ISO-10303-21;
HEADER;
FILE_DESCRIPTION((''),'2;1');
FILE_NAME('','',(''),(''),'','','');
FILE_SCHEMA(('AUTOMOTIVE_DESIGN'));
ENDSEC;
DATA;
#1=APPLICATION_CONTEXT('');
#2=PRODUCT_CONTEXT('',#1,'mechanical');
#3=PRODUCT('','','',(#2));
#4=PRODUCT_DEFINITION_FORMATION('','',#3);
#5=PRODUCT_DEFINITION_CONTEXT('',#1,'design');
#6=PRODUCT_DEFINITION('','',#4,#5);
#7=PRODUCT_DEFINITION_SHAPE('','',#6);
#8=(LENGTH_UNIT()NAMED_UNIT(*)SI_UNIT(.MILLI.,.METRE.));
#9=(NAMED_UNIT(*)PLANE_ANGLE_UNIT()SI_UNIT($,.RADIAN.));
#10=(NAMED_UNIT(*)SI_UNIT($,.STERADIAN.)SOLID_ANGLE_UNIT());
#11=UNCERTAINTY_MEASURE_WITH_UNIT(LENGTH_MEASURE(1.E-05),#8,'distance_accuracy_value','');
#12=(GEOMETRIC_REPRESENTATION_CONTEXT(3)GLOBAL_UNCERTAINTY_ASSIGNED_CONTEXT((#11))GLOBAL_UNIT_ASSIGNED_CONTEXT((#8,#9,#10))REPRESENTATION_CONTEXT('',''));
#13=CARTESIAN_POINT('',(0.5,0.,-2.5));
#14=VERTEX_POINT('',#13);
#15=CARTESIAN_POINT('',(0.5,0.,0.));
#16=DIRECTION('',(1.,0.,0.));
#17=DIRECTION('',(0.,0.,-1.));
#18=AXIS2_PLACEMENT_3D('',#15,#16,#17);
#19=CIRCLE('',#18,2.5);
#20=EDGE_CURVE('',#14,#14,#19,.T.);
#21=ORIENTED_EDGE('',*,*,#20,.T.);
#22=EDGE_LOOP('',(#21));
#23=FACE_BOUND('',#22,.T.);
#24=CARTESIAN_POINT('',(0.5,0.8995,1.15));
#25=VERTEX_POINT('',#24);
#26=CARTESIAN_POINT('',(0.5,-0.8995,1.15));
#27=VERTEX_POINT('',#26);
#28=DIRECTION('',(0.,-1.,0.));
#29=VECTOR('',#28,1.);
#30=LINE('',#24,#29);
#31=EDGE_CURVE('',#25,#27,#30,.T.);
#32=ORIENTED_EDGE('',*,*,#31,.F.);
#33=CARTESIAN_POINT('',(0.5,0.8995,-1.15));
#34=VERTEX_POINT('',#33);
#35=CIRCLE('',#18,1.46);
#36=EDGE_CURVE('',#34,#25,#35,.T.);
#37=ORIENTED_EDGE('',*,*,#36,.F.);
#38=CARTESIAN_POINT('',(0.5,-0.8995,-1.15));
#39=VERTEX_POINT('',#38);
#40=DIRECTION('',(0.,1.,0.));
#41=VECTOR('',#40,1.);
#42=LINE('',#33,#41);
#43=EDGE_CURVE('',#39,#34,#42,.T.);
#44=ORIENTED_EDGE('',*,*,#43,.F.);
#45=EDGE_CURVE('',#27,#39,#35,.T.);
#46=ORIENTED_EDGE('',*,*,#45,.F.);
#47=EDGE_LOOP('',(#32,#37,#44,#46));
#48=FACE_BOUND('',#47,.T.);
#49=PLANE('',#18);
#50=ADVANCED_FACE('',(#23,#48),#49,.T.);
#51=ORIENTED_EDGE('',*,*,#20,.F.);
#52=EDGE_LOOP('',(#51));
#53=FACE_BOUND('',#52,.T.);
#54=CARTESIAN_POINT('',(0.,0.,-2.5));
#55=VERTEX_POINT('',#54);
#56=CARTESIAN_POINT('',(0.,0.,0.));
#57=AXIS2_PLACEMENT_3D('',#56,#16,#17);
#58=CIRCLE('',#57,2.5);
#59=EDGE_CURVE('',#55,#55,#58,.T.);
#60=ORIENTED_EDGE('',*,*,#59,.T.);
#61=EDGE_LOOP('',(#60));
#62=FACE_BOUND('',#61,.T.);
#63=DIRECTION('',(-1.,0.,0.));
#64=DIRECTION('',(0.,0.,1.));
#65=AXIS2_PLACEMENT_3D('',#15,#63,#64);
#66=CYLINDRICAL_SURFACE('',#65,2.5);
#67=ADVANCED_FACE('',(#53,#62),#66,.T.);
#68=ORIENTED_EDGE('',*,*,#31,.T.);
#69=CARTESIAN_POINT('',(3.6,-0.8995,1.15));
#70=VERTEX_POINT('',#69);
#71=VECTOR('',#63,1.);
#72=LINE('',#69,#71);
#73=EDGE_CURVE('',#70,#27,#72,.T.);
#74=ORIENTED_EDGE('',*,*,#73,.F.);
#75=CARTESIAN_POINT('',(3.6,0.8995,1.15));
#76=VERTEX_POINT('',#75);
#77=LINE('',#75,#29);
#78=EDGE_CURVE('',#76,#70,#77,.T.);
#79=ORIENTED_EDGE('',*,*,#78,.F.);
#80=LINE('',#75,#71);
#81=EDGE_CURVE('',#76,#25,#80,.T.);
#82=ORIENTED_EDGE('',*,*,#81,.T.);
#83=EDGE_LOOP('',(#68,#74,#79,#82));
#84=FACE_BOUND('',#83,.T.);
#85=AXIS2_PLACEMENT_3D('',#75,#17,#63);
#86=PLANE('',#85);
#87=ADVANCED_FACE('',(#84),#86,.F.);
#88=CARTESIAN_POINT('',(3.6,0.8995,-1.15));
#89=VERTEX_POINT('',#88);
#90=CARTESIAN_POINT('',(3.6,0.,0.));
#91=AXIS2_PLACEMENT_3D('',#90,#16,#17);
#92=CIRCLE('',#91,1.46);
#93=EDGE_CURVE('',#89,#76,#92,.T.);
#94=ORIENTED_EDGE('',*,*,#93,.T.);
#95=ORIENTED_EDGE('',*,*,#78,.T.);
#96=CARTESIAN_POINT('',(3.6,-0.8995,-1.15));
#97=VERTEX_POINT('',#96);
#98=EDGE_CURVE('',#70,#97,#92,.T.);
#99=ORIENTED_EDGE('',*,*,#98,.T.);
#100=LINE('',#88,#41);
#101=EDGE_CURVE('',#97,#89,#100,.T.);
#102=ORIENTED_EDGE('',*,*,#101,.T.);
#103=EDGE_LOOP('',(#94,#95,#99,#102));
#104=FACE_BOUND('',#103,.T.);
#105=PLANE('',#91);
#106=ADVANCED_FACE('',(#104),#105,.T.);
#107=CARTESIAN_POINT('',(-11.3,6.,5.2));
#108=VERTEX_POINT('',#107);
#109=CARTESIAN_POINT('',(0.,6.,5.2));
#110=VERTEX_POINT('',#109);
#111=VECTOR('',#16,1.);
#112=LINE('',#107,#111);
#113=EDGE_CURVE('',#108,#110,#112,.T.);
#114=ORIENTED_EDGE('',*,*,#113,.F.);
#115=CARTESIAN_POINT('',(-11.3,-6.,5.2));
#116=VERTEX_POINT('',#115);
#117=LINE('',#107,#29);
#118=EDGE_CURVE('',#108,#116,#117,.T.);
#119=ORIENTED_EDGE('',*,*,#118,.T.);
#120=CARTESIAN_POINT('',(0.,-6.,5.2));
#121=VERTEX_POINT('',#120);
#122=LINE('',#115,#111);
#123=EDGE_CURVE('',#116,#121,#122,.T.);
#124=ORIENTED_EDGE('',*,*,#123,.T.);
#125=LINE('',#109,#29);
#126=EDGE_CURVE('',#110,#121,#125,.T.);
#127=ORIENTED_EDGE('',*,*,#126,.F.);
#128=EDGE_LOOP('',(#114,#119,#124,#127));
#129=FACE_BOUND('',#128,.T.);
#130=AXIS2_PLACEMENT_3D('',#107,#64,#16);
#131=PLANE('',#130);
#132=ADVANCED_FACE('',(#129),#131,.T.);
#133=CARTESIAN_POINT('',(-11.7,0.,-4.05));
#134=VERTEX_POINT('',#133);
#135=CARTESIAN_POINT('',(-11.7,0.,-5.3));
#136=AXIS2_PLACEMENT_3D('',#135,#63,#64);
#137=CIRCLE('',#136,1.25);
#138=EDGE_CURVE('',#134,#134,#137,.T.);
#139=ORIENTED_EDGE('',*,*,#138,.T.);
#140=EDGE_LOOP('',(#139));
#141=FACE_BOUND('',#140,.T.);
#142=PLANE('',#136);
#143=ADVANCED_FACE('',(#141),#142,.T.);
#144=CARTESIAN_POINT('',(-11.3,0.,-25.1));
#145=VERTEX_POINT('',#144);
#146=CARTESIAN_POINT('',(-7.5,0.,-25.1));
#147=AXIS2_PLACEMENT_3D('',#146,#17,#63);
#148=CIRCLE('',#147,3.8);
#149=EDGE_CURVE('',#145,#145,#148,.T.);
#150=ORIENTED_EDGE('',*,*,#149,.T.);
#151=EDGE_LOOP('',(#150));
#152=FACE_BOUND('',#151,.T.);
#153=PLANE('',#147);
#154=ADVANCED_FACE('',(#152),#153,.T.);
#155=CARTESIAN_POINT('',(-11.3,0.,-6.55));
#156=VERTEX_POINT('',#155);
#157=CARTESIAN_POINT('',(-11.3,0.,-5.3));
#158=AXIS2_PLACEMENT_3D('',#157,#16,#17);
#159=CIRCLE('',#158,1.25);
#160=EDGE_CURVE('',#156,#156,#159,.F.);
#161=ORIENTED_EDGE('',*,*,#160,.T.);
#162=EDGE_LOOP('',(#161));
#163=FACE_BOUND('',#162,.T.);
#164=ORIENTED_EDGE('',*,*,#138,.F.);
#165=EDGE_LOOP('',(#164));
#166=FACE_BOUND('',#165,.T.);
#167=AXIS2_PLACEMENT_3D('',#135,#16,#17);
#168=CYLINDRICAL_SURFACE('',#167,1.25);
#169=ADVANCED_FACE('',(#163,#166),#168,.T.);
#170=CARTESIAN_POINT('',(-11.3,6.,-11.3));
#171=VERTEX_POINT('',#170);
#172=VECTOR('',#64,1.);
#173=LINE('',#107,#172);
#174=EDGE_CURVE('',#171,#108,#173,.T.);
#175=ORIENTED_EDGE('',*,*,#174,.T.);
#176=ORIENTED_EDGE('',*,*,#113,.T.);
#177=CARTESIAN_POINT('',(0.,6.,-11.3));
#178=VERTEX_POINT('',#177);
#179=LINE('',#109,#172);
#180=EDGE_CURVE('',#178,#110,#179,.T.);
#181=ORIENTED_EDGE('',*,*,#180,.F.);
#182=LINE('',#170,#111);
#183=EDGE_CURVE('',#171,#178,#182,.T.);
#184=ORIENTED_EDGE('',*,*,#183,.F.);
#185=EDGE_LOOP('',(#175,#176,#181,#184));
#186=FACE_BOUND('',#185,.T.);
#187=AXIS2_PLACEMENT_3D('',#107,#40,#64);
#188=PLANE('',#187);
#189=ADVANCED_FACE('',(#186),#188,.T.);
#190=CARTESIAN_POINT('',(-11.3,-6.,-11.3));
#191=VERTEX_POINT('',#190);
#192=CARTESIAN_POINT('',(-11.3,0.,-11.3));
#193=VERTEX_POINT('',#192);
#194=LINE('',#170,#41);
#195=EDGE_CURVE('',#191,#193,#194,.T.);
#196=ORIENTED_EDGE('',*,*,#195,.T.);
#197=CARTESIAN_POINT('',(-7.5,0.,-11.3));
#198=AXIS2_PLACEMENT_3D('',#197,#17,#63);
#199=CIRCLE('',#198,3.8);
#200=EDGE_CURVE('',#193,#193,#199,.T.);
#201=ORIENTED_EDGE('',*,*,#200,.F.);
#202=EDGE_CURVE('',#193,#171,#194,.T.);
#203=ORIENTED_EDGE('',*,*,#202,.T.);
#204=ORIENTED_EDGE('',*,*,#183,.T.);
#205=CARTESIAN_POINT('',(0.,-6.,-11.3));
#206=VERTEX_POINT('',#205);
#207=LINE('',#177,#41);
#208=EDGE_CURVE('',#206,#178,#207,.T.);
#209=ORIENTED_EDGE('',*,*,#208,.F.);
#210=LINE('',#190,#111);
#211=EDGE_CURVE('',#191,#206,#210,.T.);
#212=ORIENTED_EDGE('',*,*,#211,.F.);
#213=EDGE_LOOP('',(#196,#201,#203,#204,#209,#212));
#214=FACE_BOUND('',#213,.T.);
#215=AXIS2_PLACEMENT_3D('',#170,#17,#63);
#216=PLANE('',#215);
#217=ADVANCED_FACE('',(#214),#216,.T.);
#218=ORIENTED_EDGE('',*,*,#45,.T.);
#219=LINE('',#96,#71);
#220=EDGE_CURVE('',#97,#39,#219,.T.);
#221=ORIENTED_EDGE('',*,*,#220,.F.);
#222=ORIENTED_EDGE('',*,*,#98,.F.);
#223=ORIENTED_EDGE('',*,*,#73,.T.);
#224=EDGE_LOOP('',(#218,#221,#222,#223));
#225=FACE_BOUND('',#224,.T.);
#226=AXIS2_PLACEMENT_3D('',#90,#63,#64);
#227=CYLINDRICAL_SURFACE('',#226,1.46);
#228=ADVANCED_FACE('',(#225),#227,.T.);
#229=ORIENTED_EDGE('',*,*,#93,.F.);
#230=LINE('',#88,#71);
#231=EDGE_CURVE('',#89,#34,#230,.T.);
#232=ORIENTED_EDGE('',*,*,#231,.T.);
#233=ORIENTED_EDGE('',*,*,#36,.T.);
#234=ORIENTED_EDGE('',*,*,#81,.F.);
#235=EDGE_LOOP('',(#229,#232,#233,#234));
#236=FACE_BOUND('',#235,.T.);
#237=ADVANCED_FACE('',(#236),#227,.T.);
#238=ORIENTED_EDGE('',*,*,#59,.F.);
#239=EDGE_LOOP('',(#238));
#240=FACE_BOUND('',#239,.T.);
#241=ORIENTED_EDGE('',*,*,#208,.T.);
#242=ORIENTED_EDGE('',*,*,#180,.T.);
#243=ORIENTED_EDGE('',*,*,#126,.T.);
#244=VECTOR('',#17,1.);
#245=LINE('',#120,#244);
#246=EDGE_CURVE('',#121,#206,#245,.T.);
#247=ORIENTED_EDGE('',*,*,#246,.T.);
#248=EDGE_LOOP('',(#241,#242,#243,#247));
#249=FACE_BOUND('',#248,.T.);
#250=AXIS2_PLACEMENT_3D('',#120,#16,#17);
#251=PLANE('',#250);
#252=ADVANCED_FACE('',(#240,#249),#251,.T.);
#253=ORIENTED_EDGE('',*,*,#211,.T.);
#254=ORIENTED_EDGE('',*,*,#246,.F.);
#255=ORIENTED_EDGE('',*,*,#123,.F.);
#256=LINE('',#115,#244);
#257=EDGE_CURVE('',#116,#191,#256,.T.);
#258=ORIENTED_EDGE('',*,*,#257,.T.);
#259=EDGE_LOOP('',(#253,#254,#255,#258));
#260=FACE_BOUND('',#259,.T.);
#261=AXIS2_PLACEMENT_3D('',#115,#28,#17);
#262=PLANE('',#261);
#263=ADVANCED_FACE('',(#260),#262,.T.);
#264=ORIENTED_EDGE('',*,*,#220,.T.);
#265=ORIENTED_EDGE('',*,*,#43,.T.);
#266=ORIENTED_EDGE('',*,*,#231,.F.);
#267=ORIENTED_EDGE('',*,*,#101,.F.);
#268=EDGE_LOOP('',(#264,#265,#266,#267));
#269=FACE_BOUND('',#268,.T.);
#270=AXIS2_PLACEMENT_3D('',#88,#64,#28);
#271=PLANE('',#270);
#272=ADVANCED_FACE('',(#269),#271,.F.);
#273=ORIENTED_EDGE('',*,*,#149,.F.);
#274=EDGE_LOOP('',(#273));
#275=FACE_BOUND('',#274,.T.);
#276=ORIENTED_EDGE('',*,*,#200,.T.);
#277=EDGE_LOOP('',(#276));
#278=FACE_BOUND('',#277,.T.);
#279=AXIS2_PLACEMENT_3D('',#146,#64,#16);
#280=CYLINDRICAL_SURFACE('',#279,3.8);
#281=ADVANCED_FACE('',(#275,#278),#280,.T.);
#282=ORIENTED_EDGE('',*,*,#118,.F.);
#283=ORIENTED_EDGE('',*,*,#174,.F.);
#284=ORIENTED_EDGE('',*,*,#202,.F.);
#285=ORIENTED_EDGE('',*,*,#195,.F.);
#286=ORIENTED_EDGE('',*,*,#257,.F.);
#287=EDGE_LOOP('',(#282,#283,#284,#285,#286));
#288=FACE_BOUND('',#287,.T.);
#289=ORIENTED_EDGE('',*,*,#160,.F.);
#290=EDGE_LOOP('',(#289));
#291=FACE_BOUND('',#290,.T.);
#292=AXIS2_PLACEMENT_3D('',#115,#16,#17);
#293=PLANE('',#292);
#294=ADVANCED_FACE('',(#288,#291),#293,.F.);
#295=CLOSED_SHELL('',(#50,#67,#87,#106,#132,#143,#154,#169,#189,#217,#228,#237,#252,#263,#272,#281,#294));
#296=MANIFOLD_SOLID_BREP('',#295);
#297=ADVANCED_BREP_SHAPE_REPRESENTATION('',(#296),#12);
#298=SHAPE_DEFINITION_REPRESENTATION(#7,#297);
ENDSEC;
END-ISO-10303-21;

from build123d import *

# Parameters (mm, degrees)
SKETCH1_W             = 16.5
SKETCH1_H             = 12
BASE_DEPTH            = 11.3
SKETCH2_R             = 2.5
AXLE_BASE_DEPTH       = 0.5
AXLE_DEPTH            = 3.1
SKETCH4_R             = 3.8
WIRE_HOUSING_DEPTH    = 13.8
SKETCH5_R             = 1.25
RANDOM_ASS_BUMP_DEPTH = 0.4


with BuildPart() as part:
    # Sketch1 → Base (new body)
    with BuildSketch(Plane(origin=(0, 0, 0), x_dir=(0, 0, -1), z_dir=(1, 0, 0))):
        with Locations((3.05, 0)):
            Rectangle(SKETCH1_W, SKETCH1_H)
    extrude(amount=-BASE_DEPTH)

    # Sketch2 → Axle Base (add)
    with BuildSketch(Plane(origin=(0, 0, 0), x_dir=(0, 0, -1), z_dir=(1, 0, 0))):
        Circle(SKETCH2_R)
    extrude(amount=AXLE_BASE_DEPTH)

    # Sketch3 → Axle (add)
    with BuildSketch(Plane(origin=(0.5, 0, 0), x_dir=(0, 0, -1), z_dir=(1, 0, 0))):
        with BuildLine():
            Line((1.15, 0.899499861), (1.15, -0.899499861))
            ThreePointArc((1.15, -0.899499861), (0, -1.46), (-1.15, -0.899499861))
            Line((-1.15, -0.899499861), (-1.15, 0.899499861))
            ThreePointArc((-1.15, 0.899499861), (0, 1.46), (1.15, 0.899499861))
        make_face()
    extrude(amount=AXLE_DEPTH)

    # Sketch4 → Wire Housing (add)
    with BuildSketch(Plane(origin=(0, 0, -11.3), x_dir=(-1, 0, 0), z_dir=(0, 0, -1))):
        with Locations((7.5, 0)):
            Circle(SKETCH4_R)
    extrude(amount=WIRE_HOUSING_DEPTH)

    # Sketch5 → Random-ass Bump (add)
    with BuildSketch(Plane.ZY.offset(11.3)):
        with Locations(Location((-5.3, 0, 0), (0, 0, 180))):
            Circle(SKETCH5_R)
    extrude(amount=RANDOM_ASS_BUMP_DEPTH)


solid = part.part
